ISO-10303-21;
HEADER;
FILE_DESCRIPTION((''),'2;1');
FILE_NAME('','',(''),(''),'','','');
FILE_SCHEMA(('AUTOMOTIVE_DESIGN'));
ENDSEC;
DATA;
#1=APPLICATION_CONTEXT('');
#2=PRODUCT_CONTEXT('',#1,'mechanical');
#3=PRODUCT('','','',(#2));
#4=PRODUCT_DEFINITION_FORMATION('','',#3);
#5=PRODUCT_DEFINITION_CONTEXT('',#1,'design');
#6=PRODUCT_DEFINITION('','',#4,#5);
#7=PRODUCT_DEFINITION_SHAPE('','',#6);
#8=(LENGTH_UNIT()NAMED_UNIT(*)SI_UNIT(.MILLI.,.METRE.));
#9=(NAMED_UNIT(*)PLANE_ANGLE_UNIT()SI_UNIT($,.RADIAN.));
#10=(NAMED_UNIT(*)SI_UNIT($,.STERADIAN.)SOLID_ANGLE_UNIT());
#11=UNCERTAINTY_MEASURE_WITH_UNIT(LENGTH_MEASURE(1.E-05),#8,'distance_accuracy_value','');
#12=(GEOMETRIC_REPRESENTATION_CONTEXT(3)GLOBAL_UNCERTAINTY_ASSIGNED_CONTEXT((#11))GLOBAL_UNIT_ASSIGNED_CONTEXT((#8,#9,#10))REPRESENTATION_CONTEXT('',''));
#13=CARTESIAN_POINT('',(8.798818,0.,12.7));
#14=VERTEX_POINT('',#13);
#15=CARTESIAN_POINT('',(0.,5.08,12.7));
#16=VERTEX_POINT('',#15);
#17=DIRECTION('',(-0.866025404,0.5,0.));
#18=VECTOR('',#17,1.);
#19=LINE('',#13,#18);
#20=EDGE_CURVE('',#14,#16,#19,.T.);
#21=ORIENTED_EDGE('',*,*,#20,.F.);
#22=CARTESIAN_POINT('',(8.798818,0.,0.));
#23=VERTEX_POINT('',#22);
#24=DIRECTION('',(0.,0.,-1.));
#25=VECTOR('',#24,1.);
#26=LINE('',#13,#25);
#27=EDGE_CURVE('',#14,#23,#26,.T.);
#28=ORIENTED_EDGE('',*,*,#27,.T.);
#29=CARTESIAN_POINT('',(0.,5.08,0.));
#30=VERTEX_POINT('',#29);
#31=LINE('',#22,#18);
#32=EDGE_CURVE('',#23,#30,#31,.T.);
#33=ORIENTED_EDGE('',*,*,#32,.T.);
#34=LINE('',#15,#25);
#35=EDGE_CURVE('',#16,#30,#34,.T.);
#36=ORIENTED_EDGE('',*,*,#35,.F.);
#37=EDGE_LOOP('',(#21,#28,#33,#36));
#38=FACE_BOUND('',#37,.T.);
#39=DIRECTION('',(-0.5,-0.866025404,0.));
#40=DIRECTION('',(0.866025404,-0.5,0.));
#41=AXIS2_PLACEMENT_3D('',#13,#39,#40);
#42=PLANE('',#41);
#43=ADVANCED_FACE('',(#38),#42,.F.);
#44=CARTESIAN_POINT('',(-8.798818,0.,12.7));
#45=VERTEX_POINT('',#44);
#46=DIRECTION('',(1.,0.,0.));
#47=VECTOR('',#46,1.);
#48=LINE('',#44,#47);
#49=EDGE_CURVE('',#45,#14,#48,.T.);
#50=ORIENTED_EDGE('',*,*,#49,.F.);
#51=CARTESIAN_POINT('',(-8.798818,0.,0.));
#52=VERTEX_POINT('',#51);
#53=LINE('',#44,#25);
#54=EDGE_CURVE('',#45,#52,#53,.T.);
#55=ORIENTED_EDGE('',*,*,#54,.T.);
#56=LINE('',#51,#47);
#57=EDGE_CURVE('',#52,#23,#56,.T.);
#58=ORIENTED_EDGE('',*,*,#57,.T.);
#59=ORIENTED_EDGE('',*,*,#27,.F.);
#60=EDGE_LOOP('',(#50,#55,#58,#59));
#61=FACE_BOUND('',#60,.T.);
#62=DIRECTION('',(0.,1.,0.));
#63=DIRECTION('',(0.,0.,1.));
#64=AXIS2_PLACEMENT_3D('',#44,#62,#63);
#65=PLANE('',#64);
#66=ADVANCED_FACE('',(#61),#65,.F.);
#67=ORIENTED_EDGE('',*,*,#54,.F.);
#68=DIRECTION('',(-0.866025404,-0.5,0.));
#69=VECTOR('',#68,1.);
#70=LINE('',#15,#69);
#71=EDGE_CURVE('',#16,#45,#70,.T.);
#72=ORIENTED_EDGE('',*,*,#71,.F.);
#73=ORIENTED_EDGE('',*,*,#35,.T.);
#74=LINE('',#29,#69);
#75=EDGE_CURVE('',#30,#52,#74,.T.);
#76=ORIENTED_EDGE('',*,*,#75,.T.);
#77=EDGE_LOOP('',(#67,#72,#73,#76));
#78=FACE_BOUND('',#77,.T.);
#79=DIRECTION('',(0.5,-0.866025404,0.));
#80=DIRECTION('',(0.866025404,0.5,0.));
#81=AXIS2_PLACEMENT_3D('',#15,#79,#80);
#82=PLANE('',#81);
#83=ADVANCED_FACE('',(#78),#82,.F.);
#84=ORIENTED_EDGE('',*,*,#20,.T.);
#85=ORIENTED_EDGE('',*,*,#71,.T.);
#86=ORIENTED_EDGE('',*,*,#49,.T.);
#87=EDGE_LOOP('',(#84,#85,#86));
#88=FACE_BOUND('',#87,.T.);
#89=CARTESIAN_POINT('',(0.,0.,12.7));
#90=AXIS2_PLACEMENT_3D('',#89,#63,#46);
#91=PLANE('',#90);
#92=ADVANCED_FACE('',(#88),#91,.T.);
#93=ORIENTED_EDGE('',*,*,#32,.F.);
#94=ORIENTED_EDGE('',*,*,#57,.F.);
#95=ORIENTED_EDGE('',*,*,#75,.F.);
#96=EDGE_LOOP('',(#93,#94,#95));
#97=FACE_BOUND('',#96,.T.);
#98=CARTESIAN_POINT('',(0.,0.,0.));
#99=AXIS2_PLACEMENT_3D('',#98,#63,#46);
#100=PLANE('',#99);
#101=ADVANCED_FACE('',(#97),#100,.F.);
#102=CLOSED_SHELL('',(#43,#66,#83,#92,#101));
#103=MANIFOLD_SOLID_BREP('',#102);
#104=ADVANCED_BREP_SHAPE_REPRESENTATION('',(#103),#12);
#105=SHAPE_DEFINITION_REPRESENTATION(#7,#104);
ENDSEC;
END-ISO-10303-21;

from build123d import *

# Parameters (mm, degrees)
BOSS_EXTRUDE1_DEPTH = 12.7


with BuildPart() as part:
    # Sketch1 → Boss-Extrude1 (new body)
    with BuildSketch(Plane.XY):
        Polygon((-8.798818102, 0), (8.798818102, 0), (0, 5.08), align=None)
    extrude(amount=BOSS_EXTRUDE1_DEPTH)


solid = part.part
